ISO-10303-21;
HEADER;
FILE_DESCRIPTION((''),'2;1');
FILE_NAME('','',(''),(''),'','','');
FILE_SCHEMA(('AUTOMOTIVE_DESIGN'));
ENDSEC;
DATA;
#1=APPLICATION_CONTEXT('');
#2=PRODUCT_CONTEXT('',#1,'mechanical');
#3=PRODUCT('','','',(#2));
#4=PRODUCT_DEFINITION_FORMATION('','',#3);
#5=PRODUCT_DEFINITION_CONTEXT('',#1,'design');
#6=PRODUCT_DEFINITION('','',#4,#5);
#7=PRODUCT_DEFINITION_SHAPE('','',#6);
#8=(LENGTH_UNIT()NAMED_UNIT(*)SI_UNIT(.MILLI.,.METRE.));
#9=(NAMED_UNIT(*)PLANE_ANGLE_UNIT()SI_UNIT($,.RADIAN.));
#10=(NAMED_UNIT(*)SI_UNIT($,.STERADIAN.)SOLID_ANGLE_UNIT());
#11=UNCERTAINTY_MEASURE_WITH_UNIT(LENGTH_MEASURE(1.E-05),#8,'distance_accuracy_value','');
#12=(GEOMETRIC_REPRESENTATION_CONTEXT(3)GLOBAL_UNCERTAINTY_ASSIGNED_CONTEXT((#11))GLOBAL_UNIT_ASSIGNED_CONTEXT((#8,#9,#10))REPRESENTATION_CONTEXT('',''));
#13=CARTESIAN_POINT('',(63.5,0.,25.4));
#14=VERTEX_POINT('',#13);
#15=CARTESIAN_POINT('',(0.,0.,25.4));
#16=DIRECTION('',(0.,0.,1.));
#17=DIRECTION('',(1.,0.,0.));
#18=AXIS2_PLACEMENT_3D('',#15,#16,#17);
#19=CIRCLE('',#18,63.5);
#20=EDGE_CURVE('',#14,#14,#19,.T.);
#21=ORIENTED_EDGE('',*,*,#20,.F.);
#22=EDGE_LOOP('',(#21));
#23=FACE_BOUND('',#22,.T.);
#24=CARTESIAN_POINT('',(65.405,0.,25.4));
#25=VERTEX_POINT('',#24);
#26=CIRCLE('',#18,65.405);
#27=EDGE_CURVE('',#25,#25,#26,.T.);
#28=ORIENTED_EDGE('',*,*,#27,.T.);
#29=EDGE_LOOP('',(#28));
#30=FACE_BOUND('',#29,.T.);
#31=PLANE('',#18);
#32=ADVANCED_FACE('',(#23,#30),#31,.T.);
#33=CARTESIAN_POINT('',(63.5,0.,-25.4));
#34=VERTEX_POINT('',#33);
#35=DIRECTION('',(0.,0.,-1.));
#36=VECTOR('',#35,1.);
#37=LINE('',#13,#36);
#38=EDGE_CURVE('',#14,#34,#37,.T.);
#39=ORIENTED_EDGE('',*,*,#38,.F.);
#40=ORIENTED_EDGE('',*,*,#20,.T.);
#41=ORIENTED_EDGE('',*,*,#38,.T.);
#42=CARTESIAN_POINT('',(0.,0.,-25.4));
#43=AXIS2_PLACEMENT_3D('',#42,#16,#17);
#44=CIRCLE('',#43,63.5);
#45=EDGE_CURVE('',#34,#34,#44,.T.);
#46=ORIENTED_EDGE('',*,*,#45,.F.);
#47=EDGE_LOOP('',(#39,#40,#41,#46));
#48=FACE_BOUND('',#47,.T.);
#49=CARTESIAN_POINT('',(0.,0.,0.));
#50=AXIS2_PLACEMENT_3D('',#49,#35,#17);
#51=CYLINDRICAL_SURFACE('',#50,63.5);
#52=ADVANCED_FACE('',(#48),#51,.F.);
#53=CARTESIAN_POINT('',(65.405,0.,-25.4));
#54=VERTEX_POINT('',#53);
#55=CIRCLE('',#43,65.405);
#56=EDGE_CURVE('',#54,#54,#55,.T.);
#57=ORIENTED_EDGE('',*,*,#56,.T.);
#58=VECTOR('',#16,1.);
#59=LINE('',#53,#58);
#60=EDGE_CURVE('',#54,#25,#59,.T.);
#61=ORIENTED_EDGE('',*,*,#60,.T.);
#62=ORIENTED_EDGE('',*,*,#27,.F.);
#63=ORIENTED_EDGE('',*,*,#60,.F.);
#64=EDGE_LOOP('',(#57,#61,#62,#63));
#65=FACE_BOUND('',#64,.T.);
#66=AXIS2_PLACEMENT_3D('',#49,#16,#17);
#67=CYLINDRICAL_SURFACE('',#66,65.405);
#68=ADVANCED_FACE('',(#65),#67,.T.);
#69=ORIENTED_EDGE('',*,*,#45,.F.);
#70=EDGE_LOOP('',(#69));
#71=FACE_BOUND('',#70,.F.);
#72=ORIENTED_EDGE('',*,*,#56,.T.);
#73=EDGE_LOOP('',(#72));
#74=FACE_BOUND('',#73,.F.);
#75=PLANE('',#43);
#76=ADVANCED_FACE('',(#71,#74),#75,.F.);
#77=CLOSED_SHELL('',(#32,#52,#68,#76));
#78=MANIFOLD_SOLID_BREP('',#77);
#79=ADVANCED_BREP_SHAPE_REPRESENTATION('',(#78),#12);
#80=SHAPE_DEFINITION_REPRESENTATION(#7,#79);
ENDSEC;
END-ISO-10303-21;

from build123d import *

# Parameters (mm, degrees)
SKETCH1_R           = 65.405
SKETCH1_R_2         = 63.5
BOSS_EXTRUDE1_DEPTH = 25.4


with BuildPart() as part:
    # Sketch1 → Boss-Extrude1 (new body, symmetric)
    with BuildSketch(Plane.XY):
        Circle(SKETCH1_R)
        Circle(SKETCH1_R_2, mode=Mode.SUBTRACT)
    extrude(amount=BOSS_EXTRUDE1_DEPTH, both=True)


solid = part.part
